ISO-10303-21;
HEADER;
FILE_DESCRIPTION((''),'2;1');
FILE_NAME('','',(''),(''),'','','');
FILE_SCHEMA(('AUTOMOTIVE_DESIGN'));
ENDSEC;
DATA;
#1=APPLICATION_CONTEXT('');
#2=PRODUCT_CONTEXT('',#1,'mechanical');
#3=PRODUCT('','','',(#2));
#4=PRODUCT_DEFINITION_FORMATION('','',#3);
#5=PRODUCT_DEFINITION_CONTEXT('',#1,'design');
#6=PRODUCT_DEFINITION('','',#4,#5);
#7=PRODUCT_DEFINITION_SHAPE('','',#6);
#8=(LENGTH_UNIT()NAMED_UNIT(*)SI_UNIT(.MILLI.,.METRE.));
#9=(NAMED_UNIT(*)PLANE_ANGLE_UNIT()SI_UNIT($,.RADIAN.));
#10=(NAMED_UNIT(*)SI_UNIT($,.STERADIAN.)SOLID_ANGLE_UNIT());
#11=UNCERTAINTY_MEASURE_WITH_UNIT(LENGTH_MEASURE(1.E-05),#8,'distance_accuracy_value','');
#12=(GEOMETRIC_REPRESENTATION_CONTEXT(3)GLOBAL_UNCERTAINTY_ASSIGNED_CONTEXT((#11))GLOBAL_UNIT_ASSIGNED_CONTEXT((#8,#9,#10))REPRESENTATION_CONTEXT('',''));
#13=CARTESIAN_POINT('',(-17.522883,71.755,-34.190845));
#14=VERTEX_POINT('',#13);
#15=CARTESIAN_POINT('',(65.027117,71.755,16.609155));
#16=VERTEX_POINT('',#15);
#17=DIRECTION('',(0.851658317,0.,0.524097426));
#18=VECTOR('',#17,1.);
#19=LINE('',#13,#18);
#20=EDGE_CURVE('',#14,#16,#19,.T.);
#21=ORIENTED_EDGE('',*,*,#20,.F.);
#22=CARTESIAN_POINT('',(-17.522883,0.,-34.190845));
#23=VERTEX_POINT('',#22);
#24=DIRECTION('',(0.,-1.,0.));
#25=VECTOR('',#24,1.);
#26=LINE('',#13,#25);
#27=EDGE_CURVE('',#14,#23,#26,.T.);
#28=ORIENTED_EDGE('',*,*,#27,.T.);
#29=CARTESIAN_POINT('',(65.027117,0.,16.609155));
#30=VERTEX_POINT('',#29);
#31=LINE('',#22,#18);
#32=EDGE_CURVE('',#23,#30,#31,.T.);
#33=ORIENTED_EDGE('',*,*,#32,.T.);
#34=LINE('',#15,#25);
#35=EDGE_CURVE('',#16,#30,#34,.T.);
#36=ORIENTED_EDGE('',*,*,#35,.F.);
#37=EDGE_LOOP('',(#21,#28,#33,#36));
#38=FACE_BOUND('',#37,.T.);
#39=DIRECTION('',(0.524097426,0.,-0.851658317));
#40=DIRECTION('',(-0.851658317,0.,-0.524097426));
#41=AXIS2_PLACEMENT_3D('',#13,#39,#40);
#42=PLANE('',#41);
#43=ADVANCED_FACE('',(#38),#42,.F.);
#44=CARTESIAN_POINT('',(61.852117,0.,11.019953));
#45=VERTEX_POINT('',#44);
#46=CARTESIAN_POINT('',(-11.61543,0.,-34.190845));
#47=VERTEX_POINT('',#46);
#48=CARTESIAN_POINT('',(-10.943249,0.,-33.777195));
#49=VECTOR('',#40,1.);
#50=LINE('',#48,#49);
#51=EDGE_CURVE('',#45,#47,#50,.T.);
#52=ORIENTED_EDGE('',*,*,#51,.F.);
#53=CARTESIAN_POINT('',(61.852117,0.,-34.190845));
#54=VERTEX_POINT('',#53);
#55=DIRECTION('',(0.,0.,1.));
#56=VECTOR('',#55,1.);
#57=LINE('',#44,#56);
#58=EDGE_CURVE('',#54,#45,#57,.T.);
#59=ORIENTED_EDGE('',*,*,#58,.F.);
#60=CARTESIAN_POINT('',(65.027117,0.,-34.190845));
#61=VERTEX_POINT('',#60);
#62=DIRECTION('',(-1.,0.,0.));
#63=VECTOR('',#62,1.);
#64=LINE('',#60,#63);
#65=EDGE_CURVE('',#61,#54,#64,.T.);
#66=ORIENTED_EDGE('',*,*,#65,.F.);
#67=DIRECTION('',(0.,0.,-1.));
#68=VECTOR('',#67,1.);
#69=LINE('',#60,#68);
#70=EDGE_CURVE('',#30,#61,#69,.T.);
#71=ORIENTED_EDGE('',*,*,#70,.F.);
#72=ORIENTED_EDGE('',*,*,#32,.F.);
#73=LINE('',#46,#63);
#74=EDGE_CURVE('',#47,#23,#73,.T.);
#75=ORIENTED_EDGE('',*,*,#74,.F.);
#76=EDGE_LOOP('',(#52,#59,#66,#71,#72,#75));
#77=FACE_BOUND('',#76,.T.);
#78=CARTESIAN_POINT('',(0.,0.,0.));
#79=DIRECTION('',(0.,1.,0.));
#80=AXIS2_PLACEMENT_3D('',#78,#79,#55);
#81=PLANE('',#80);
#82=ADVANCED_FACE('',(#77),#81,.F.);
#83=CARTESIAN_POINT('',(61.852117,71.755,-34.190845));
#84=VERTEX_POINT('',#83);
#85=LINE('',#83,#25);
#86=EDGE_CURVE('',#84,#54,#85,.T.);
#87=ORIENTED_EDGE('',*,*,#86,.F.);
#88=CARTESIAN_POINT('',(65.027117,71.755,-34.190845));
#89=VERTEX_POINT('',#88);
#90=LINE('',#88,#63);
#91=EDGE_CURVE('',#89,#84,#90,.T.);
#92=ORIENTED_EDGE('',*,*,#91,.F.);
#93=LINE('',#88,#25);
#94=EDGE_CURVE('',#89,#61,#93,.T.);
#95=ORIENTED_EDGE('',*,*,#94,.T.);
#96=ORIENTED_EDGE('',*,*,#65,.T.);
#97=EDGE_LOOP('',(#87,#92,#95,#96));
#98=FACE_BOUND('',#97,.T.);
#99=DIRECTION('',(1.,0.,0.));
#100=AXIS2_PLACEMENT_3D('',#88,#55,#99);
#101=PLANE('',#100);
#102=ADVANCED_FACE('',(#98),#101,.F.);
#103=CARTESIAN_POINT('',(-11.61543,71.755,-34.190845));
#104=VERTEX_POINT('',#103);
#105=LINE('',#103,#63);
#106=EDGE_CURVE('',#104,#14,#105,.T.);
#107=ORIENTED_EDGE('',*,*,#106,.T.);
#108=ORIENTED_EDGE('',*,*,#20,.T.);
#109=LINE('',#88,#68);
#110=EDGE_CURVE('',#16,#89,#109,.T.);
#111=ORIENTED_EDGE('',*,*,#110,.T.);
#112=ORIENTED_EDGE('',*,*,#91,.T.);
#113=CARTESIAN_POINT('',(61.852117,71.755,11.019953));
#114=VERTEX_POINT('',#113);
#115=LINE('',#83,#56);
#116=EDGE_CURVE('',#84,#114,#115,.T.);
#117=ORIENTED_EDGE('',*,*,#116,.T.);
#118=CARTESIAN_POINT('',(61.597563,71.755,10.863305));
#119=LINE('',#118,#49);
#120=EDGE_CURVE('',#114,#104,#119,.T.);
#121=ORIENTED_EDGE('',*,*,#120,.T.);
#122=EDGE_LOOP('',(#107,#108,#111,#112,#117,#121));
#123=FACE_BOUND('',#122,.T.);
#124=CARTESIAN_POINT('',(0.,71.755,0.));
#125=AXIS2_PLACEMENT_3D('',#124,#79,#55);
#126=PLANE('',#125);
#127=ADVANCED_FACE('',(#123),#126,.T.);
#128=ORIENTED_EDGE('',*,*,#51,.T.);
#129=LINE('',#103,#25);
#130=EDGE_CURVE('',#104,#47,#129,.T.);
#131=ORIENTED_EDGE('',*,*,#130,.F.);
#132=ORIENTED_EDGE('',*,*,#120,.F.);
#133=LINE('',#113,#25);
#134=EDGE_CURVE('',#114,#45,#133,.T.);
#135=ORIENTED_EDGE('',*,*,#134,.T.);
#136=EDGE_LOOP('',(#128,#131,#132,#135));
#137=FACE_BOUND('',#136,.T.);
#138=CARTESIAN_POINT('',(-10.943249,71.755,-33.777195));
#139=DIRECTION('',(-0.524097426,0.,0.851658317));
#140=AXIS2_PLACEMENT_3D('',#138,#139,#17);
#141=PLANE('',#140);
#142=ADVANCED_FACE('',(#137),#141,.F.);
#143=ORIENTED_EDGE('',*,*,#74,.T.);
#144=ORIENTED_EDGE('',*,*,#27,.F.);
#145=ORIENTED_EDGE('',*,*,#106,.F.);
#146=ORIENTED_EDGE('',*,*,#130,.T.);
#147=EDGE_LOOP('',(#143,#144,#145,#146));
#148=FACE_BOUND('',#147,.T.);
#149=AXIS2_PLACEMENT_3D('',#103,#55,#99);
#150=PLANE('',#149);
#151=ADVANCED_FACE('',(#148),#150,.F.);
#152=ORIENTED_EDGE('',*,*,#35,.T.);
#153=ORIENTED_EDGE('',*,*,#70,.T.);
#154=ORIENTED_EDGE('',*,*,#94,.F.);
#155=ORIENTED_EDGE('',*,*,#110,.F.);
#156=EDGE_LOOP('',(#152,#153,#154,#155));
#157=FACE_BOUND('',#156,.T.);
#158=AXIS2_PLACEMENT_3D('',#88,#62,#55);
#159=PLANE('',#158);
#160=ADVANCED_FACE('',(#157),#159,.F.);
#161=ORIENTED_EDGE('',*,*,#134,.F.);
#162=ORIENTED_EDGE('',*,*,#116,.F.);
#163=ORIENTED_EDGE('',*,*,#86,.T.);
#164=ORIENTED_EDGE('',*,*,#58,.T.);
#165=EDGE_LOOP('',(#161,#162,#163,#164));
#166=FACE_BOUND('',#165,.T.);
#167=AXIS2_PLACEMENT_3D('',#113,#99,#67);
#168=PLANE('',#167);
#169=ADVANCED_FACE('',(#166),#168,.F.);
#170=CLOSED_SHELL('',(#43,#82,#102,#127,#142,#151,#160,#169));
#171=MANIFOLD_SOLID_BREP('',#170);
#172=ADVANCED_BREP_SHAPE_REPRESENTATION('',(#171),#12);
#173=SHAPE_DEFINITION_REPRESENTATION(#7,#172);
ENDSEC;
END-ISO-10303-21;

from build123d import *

# Parameters (mm, degrees)
BOSS_EXTRUDE1_DEPTH = 71.755


with BuildPart() as part:
    # Sketch1 → Boss-Extrude1 (new body)
    with BuildSketch(Plane(origin=(0, 0, 0), x_dir=(1, 0, 0), z_dir=(0, 1, 0))):
        Polygon((65.027116768, 34.190845126), (65.027116768, -16.609154874), (-17.522883232, 34.190845126), (-11.615430399, 34.190845126), (-10.94324946, 33.777195317), (61.59756304, -10.863304683), (61.852116768, -11.019953131), (61.852116768, -10.259154874), (61.852116768, 34.190845126), align=None)
    extrude(amount=BOSS_EXTRUDE1_DEPTH)


solid = part.part
